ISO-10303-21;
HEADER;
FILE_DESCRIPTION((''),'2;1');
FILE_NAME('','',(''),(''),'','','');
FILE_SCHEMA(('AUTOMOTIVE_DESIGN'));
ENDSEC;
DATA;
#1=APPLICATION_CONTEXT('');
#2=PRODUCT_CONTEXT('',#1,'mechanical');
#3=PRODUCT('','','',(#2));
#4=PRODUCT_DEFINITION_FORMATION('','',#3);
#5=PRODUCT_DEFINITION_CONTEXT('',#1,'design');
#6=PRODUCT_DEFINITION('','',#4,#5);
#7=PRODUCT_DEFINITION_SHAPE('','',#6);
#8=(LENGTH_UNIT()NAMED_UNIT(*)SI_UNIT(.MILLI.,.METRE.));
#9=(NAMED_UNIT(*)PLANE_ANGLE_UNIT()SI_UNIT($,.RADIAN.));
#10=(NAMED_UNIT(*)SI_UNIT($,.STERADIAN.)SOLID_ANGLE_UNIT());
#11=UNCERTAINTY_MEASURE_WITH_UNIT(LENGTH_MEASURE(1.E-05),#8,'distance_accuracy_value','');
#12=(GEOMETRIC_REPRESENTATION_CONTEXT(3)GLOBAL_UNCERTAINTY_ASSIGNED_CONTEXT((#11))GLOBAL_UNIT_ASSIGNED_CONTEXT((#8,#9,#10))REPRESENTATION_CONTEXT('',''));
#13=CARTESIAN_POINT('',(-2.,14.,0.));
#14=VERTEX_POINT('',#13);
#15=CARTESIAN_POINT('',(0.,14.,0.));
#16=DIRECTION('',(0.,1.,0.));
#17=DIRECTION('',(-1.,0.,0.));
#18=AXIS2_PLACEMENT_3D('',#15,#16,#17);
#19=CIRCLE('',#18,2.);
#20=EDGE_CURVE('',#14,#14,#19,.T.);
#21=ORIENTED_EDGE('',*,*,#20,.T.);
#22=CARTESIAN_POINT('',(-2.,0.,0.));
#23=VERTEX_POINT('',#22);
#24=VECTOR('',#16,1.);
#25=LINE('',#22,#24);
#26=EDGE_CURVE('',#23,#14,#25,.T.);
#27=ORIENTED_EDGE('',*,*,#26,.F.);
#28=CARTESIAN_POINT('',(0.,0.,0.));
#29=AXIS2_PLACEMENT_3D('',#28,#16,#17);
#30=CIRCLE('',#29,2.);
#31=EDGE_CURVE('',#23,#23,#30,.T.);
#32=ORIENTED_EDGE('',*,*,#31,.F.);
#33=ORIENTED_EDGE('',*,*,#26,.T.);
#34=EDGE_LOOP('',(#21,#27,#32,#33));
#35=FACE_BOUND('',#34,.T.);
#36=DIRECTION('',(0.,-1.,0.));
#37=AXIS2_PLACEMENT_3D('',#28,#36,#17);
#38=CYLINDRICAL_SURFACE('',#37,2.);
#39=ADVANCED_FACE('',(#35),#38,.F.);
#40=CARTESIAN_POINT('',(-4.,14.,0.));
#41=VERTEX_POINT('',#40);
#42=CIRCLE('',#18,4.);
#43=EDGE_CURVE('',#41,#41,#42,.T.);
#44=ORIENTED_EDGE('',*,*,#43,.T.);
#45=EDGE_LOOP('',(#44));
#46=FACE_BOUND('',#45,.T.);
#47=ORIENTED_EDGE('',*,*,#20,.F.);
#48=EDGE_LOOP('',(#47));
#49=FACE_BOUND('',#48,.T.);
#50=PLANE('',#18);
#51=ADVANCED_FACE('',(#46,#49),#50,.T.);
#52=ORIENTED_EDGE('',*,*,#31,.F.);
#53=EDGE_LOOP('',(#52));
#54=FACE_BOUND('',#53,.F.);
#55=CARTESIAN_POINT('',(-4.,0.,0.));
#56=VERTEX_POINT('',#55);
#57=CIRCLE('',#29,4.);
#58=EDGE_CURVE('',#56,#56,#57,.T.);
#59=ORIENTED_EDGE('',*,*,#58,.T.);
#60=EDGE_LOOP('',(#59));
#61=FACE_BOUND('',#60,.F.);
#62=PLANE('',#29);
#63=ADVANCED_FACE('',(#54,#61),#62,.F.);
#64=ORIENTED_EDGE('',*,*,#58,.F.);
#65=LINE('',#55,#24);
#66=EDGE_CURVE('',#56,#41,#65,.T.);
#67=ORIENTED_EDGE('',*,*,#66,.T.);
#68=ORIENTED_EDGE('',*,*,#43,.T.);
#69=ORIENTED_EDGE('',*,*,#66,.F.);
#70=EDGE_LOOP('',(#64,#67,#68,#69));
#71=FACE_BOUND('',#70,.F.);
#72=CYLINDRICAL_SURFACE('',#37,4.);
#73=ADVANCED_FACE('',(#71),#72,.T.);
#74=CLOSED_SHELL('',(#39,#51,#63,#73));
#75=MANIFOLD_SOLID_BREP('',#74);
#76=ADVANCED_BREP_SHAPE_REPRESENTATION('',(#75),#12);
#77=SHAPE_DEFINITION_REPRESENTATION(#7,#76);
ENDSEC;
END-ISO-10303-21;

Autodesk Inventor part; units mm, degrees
ref_plane "YZ Plane" through (0, 0, 0) normal (1, 0, 0) x (0, 1, 0)
ref_plane "XZ Plane" through (0, 0, 0) normal (0, 1, 0) x (-1, 0, 0)
ref_plane "XY Plane" through (0, 0, 0) normal (0, 0, 1) x (1, 0, 0)
sketch "スケッチ1" plane through (0, 0, 0) normal (0, 1, 0) x (-1, 0, 0)
  circle A0 centre (0, 0) radius 2
  circle A1 centre (0, 0) radius 4
  dimension "d0" = 4
  dimension "d1" = 8
extrude "押し出し1" add sketch "スケッチ1" along normal blind 14
properties part number "omu_3d_jo_2" material "ABS プラスチック"
